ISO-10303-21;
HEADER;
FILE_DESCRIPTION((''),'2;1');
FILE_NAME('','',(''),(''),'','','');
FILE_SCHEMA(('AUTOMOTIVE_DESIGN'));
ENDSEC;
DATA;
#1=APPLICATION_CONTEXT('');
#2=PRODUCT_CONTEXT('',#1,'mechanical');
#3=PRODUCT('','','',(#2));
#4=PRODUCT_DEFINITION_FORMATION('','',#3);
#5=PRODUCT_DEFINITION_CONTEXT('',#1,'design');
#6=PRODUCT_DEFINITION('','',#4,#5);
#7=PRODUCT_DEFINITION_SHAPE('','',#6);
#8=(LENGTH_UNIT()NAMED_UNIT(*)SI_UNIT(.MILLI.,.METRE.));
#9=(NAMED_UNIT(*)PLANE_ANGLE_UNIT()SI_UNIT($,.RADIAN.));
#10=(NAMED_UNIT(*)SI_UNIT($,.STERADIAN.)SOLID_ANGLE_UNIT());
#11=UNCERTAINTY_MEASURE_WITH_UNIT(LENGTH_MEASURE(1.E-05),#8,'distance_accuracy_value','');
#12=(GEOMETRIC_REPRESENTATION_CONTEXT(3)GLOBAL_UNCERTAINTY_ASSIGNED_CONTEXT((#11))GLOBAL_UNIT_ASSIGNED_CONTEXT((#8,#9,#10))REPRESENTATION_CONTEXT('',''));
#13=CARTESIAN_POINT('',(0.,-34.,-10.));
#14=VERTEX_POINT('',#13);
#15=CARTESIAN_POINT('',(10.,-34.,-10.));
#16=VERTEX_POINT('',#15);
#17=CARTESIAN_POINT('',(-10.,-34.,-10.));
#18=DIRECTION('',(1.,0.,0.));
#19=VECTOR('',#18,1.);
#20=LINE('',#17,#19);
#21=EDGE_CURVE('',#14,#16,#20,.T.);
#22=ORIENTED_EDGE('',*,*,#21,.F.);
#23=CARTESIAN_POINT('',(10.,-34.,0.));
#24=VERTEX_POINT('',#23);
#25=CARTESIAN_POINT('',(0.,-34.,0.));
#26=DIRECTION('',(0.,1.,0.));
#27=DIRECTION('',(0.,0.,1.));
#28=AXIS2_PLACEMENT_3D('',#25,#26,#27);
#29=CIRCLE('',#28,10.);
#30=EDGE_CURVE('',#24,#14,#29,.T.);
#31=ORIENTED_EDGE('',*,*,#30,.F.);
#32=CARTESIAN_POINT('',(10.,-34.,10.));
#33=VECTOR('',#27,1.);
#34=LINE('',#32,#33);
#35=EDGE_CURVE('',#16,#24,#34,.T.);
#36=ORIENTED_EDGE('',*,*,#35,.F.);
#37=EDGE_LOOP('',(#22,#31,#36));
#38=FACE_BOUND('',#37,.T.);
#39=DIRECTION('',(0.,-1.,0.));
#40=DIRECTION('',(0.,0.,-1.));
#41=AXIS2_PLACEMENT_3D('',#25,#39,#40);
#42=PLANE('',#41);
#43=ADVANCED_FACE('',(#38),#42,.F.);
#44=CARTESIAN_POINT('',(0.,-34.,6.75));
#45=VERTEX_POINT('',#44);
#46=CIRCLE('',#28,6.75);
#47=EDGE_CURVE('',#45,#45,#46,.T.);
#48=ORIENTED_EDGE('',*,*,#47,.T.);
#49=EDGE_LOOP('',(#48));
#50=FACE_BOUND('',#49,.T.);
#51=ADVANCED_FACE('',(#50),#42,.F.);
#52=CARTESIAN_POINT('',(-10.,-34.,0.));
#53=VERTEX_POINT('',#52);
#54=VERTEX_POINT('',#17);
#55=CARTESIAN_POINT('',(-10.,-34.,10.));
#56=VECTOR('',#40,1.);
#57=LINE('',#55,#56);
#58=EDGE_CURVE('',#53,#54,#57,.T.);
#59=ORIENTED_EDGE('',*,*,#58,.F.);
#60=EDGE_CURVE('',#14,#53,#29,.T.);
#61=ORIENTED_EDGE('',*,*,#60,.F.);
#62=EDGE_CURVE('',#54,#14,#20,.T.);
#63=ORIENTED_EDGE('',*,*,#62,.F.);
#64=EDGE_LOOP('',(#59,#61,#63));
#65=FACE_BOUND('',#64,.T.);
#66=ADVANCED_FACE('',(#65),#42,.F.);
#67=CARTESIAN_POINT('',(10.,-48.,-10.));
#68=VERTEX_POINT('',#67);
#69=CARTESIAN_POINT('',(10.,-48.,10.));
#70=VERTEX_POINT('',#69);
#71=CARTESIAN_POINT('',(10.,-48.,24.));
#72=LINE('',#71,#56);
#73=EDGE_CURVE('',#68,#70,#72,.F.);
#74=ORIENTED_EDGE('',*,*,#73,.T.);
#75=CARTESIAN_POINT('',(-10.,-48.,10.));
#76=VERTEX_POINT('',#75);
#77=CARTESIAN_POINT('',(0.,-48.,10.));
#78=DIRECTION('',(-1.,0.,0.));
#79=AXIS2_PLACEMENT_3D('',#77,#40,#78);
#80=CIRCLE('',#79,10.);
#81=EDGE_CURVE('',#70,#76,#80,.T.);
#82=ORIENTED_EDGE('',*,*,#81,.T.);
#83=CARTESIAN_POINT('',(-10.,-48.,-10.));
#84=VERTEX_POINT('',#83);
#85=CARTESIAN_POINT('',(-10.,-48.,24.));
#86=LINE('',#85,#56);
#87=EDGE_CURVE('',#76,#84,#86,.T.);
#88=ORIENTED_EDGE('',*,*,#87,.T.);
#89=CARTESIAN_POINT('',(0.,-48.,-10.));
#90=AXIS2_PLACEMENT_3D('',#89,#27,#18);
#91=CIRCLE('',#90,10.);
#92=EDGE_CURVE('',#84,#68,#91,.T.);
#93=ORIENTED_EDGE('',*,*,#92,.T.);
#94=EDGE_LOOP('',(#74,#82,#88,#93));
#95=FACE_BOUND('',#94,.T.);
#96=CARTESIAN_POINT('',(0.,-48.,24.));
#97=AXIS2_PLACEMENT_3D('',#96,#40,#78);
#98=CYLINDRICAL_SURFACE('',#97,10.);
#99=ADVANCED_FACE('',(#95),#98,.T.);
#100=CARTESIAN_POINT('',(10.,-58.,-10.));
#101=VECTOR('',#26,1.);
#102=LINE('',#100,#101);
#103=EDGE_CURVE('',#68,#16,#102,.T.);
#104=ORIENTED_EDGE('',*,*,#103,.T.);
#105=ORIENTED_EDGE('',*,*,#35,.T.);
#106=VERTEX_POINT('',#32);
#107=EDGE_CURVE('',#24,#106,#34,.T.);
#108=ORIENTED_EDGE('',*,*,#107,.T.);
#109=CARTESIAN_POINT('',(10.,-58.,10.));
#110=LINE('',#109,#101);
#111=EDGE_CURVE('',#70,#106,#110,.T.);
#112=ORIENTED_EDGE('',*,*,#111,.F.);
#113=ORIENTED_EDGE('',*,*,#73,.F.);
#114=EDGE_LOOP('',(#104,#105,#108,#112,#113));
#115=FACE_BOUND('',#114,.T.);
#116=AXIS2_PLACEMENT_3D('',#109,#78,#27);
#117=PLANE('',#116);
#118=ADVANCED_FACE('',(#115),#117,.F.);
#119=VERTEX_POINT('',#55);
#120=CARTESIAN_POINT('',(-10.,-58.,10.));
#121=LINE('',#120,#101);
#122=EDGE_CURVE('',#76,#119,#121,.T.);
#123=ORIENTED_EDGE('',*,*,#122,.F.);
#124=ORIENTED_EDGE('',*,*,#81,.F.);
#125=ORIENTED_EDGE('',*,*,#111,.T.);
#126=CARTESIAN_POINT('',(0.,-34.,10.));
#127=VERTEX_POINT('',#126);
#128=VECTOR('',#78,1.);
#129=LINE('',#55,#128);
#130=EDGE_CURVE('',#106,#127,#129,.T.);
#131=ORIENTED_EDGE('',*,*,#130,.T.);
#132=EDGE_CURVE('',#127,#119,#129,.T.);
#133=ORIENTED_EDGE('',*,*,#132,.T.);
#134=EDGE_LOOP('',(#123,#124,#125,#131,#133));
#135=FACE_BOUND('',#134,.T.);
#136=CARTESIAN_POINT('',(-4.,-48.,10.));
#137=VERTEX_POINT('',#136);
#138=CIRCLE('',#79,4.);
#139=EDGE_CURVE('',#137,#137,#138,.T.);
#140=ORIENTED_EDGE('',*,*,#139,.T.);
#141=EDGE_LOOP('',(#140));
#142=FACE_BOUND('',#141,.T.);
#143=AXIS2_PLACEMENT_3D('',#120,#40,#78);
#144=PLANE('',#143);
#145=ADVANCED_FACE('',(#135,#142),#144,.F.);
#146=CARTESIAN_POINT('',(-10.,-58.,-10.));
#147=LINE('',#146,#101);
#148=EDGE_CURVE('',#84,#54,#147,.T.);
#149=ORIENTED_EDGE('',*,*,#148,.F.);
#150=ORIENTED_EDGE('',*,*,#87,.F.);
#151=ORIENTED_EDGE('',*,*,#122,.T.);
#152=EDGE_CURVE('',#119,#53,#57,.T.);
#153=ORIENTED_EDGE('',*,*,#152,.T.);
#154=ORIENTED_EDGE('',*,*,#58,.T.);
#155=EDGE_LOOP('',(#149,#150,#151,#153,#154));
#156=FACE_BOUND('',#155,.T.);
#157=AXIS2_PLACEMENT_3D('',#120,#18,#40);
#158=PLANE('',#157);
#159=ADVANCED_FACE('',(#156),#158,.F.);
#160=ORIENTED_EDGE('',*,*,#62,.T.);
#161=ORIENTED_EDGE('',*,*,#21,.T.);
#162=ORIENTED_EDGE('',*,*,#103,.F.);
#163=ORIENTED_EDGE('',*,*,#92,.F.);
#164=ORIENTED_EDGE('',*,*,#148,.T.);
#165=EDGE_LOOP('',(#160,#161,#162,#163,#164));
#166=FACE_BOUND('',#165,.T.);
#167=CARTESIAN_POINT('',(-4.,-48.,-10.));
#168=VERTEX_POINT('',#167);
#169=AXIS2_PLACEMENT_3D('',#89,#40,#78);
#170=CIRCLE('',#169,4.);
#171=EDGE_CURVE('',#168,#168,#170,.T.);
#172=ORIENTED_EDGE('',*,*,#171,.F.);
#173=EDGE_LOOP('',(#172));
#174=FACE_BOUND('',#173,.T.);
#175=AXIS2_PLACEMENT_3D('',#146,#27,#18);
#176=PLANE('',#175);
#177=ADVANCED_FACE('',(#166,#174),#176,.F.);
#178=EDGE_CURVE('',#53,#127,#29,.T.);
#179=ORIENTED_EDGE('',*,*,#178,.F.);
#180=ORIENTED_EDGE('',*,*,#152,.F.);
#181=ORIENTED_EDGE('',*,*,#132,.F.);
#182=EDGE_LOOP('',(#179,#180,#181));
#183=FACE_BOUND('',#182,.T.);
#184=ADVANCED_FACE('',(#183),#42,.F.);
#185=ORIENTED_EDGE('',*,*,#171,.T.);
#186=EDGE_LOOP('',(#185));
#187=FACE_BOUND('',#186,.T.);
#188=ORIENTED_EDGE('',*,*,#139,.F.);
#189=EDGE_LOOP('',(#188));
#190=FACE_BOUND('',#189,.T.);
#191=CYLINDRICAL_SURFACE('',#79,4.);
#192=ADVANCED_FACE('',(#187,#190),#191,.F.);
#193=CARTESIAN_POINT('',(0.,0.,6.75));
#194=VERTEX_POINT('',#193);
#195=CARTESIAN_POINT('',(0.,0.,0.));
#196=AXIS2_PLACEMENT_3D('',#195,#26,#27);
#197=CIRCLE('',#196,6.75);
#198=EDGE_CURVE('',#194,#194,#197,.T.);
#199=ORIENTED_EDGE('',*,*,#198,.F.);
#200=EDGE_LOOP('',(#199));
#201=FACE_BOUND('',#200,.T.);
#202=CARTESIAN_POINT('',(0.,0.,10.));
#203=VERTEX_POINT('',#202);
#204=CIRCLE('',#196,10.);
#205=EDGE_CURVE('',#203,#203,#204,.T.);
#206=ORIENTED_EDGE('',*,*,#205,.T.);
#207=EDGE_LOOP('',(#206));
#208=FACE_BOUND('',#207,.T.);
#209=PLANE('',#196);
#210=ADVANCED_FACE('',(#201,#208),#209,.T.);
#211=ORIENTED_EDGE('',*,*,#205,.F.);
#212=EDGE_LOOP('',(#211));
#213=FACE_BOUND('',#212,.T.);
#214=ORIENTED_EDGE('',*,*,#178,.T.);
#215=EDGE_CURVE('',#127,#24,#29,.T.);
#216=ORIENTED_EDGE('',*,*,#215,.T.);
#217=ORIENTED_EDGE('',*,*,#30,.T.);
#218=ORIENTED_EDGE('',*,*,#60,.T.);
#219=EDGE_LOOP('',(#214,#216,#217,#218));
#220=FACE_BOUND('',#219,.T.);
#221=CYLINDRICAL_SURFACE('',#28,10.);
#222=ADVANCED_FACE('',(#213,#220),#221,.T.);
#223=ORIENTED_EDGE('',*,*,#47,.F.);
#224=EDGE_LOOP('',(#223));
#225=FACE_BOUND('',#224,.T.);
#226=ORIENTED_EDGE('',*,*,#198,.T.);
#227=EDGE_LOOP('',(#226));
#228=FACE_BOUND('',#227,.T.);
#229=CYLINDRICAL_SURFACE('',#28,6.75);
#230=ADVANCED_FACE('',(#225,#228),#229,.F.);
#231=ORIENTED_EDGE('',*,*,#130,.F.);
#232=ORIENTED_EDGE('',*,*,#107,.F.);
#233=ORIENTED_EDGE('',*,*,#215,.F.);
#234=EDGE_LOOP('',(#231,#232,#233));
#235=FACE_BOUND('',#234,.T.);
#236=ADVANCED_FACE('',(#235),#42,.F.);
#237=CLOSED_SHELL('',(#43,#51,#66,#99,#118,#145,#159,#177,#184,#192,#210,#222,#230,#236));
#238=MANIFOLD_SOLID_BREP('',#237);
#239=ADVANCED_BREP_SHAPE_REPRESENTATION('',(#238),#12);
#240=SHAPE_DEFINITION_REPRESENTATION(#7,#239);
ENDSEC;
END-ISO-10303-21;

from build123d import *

# Parameters (mm, degrees)
SKETCH2_R           = 10
SKETCH2_R_2         = 6.75
BOSS_EXTRUDE1_DEPTH = 34
SKETCH3_W           = 20
SKETCH3_H           = 20
BOSS_EXTRUDE2_DEPTH = 24
CUT_EXTRUDE1_DEPTH  = 24
SKETCH5_R           = 4
CUT_EXTRUDE2_DEPTH  = 63.161081072


with BuildPart() as part:
    # Sketch2 → Boss-Extrude1 (new body)
    with BuildSketch(Plane(origin=(0, 0, 0), x_dir=(1, 0, 0), z_dir=(0, 1, 0))):
        with Locations(Location((0, 0, 0), (0, 0, 270))):
            Circle(SKETCH2_R)
        with Locations(Location((0, 0, 0), (0, 0, 270))):
            Circle(SKETCH2_R_2, mode=Mode.SUBTRACT)
    extrude(amount=-BOSS_EXTRUDE1_DEPTH)

    # Sketch3 → Boss-Extrude2 (add)
    with BuildSketch(Plane.XZ.offset(34)):
        Rectangle(SKETCH3_W, SKETCH3_H)
    extrude(amount=BOSS_EXTRUDE2_DEPTH)

    # Sketch4 → Cut-Extrude1 (cut, symmetric)
    with BuildSketch(Plane.XY):
        with BuildLine():
            Line((-10, -58), (0, -58))
            ThreePointArc((0, -58), (-7.071067812, -55.071067812), (-10, -48))
            Line((-10, -48), (-10, -58))
        make_face()
    cut_extrude1 = extrude(amount=CUT_EXTRUDE1_DEPTH, both=True, mode=Mode.SUBTRACT)

    # Mirror1: Cut-Extrude1 across plane
    add(cut_extrude1.mirror(Plane(origin=(0, 0, 0), x_dir=(0, 0, 1), z_dir=(1, 0, 0))), mode=Mode.SUBTRACT)

    # Sketch5 → Cut-Extrude2 (cut, through all)
    with BuildSketch(Plane(origin=(0, 0, -10), x_dir=(-1, 0, 0), z_dir=(0, 0, -1))):
        with Locations((0, -48)):
            Circle(SKETCH5_R)
    extrude(amount=-CUT_EXTRUDE2_DEPTH, mode=Mode.SUBTRACT)


solid = part.part
